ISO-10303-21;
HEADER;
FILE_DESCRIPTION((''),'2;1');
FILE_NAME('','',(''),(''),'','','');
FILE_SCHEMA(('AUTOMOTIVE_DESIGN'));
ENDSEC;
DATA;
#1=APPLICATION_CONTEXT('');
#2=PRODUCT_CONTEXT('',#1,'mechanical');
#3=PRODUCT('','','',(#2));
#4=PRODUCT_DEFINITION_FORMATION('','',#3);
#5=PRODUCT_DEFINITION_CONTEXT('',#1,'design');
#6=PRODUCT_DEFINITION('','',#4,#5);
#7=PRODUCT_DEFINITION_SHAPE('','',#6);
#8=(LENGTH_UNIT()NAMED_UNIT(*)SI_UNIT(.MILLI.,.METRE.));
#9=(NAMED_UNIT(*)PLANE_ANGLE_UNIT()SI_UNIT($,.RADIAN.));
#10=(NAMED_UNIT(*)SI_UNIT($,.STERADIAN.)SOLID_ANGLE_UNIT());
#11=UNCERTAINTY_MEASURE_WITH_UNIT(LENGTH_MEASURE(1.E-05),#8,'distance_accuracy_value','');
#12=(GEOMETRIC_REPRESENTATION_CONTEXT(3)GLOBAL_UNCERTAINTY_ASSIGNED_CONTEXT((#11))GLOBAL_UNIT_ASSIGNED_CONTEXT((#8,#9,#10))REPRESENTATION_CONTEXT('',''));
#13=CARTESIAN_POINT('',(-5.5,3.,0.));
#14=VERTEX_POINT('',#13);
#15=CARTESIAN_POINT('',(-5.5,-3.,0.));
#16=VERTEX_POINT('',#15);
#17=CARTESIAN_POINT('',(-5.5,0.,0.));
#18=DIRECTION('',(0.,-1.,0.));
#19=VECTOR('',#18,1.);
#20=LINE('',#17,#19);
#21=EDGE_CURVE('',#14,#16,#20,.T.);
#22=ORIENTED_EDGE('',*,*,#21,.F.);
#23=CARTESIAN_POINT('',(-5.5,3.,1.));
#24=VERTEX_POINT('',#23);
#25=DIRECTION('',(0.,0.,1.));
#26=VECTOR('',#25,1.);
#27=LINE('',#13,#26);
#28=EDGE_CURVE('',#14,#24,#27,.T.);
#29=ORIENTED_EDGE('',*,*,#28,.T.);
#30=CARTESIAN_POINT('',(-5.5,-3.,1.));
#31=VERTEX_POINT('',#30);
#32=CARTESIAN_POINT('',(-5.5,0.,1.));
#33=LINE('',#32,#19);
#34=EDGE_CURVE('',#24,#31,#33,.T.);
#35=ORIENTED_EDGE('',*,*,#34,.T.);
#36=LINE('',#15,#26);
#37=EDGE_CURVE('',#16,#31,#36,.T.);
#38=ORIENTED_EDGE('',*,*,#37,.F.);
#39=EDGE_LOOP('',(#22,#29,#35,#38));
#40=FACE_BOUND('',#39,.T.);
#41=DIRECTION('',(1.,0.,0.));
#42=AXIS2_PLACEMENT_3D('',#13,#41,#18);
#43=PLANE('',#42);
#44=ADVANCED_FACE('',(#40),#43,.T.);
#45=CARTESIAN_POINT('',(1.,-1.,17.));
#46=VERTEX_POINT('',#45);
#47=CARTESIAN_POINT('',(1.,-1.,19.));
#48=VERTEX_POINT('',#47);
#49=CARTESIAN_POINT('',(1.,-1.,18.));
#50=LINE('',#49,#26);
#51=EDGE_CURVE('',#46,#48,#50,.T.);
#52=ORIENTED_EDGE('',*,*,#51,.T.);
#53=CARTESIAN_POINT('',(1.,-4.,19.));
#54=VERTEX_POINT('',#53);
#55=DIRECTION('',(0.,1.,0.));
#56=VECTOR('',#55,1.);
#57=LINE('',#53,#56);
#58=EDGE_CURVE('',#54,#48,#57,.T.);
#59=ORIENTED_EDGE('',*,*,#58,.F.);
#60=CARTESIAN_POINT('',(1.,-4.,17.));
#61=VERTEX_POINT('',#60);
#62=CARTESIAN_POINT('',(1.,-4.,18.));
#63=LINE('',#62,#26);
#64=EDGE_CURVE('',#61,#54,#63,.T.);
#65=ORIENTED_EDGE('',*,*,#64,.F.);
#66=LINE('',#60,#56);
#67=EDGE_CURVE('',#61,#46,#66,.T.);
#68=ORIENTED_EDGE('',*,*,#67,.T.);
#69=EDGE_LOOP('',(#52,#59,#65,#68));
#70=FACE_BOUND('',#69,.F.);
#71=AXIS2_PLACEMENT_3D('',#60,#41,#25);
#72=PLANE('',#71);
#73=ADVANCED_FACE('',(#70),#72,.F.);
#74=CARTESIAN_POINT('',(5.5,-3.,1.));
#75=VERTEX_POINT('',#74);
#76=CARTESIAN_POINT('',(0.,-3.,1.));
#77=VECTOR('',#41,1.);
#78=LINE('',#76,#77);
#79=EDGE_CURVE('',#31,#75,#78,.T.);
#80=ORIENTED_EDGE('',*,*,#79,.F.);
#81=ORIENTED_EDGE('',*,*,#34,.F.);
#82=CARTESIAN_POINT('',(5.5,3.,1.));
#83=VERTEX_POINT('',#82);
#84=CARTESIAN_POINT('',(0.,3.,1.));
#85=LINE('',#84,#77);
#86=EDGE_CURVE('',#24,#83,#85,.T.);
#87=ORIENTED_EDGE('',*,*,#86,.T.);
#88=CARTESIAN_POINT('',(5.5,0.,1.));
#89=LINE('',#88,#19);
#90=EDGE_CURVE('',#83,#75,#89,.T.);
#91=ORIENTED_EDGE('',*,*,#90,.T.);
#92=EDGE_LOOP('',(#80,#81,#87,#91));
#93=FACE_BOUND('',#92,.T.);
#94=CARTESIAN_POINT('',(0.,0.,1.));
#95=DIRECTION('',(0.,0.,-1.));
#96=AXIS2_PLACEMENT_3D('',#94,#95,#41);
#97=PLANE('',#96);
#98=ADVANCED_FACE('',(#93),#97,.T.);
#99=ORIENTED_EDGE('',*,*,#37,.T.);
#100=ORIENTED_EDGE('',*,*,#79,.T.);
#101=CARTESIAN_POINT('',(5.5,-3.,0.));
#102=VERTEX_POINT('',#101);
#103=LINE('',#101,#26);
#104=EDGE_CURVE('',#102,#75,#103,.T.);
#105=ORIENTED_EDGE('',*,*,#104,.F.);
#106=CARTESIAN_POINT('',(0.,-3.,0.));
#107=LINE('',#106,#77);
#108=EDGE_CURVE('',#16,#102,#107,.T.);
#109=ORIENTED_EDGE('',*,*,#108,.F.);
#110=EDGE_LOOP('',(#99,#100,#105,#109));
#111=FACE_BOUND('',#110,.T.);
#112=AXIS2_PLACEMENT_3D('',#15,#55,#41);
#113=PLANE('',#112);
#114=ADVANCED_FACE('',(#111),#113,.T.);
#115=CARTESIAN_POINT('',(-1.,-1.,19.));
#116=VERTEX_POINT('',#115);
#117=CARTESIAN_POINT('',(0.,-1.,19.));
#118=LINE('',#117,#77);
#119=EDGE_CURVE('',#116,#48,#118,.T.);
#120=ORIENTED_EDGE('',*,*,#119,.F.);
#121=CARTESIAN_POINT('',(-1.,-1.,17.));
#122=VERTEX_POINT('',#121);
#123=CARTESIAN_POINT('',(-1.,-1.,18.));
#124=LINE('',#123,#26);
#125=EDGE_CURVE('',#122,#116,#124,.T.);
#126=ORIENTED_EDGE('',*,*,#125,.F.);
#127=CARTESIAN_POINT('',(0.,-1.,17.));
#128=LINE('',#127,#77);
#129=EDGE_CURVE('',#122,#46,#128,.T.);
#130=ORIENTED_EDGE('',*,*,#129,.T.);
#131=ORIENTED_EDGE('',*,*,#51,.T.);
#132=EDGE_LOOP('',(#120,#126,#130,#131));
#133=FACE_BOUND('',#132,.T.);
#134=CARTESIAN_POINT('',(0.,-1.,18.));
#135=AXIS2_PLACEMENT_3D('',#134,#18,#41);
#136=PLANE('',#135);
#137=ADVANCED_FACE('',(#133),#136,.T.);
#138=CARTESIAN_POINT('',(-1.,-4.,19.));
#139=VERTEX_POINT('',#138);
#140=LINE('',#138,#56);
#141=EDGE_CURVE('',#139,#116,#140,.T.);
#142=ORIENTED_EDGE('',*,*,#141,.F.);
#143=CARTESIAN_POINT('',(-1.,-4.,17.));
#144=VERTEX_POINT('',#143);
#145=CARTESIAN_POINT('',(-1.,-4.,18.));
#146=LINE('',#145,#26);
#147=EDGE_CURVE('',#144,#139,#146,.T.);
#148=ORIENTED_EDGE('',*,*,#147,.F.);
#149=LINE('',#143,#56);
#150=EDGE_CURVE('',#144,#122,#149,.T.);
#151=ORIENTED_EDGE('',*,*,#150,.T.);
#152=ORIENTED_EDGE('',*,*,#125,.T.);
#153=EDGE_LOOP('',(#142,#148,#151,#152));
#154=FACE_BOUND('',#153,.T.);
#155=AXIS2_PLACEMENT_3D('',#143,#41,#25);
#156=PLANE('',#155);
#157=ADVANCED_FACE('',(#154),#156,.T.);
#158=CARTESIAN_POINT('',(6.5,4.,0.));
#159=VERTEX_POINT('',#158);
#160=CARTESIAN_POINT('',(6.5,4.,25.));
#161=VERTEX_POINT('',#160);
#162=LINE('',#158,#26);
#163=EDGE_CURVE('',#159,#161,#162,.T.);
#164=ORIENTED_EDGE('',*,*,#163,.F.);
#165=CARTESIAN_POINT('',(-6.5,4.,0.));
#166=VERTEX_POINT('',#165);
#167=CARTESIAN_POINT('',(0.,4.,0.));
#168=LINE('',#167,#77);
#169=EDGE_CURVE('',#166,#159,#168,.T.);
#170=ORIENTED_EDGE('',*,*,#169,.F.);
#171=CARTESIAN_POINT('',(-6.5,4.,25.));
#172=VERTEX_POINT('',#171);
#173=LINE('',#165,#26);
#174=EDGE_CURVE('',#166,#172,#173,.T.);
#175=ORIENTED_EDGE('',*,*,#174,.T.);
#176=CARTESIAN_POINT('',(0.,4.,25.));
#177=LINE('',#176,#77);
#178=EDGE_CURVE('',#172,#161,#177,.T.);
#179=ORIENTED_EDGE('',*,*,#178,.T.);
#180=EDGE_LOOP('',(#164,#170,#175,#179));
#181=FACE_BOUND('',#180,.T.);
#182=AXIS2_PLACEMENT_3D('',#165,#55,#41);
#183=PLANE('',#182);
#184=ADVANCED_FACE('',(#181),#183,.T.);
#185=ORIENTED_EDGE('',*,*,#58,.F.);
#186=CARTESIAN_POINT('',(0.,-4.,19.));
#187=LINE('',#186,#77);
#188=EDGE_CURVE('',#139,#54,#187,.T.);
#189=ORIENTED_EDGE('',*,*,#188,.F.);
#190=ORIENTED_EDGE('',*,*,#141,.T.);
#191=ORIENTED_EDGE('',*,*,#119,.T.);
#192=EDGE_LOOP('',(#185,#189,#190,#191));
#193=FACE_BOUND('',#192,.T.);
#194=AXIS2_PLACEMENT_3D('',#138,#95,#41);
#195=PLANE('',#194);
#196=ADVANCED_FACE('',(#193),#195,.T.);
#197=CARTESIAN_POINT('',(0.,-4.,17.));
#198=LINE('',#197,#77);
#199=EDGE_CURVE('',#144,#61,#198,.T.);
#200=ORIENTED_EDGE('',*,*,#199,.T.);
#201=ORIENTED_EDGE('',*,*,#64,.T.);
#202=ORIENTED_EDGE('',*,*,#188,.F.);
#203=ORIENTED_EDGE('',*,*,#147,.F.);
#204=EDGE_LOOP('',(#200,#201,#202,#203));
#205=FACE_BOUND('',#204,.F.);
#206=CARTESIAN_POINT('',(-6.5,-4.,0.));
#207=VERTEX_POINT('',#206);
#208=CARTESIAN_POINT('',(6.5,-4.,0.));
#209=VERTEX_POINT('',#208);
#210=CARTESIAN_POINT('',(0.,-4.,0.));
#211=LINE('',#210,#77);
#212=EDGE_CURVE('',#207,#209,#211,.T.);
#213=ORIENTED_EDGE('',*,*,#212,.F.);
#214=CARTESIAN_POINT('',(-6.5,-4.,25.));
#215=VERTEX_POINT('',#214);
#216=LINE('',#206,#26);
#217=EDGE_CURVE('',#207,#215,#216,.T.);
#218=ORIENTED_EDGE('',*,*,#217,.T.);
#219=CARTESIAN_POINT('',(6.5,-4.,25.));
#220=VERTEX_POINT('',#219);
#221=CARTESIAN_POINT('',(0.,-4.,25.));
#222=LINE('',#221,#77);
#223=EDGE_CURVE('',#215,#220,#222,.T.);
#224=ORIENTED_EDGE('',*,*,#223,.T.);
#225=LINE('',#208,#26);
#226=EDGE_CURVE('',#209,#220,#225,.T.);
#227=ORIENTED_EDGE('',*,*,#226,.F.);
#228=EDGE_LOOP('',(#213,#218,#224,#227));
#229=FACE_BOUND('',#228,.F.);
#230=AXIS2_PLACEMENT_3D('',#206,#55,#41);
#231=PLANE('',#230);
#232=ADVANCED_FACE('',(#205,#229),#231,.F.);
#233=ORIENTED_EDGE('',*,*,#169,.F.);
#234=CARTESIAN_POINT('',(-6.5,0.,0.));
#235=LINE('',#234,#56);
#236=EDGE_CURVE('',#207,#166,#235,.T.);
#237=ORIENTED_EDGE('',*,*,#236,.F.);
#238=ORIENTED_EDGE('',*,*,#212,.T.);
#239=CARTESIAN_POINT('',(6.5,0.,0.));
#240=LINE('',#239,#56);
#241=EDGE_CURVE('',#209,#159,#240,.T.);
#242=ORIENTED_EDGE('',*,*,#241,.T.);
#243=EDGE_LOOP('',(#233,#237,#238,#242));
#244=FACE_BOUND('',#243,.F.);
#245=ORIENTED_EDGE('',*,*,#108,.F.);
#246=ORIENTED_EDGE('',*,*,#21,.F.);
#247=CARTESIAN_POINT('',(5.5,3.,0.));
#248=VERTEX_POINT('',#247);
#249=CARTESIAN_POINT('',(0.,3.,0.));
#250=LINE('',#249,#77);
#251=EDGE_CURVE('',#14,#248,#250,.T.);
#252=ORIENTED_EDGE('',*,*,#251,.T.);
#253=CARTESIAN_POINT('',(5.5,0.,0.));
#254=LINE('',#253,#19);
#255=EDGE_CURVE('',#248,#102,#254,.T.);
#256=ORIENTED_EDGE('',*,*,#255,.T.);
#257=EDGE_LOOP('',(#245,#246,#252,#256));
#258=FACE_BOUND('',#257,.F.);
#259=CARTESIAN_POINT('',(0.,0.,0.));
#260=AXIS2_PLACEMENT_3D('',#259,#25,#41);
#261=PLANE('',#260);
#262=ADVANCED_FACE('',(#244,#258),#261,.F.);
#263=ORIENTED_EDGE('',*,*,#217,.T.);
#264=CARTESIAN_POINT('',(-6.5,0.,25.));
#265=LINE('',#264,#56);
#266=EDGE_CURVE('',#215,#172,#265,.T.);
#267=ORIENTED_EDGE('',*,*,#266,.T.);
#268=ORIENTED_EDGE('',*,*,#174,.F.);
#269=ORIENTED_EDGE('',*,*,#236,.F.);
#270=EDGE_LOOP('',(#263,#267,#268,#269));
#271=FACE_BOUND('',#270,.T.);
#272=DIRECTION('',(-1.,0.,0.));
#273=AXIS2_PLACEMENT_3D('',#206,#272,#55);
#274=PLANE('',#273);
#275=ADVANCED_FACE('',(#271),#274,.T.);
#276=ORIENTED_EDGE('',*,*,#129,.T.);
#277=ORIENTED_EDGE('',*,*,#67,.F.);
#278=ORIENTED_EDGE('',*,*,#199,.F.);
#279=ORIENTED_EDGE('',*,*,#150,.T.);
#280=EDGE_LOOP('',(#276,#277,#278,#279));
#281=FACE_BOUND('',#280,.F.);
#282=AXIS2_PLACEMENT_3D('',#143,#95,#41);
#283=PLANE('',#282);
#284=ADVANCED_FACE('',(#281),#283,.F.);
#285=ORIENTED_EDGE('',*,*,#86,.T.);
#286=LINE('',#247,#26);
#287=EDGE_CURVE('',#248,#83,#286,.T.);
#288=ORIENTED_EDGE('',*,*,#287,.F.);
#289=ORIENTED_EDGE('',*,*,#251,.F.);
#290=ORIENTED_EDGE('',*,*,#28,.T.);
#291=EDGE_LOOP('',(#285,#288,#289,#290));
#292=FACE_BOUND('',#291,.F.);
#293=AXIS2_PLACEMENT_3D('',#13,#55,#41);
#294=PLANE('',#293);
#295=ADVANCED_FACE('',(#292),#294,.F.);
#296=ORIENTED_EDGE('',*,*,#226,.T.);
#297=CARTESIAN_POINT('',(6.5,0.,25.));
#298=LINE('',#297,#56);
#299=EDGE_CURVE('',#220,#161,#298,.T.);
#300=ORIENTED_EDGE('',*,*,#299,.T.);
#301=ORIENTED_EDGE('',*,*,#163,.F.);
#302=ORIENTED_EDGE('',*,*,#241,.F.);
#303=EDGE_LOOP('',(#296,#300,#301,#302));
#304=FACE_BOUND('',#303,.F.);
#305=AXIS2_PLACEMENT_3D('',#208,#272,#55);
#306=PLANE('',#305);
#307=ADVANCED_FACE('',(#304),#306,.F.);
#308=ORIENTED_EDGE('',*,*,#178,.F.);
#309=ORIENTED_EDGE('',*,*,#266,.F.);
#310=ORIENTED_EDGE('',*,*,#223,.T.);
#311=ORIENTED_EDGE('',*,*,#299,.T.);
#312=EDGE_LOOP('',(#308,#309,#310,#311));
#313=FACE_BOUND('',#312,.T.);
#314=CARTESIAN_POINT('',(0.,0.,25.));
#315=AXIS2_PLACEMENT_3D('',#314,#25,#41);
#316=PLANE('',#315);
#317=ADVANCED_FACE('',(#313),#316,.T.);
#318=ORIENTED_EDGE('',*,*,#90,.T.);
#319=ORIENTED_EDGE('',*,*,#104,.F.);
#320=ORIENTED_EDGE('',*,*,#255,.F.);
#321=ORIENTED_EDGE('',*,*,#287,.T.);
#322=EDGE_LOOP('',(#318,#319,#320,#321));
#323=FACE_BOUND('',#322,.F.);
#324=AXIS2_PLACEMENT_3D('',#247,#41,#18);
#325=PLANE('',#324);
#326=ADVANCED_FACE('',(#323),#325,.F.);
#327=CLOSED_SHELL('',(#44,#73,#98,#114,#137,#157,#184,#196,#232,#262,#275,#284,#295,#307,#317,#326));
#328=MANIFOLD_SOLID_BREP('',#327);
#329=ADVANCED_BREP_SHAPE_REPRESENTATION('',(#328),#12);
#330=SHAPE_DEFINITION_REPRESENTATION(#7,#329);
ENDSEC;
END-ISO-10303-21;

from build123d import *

# Parameters (mm, degrees)
F0_W     = 13
F0_H     = 8
F1_DEPTH = 25
F2_W     = 11
F2_H     = 6
F3_DEPTH = 1
F4_W     = 2
F4_H     = 2
F5_DEPTH = 3


with BuildPart() as f1:
    # F0 (on Top) → F1 (new body)
    with BuildSketch(Plane.XY):
        Rectangle(F0_W, F0_H)
    extrude(amount=F1_DEPTH)

    # F2 (on face) → F3 (cut)
    with BuildSketch(Plane(origin=(0, 0, 0), x_dir=(1, 0, 0), z_dir=(0, 0, -1))):
        Rectangle(F2_W, F2_H)
    extrude(amount=-F3_DEPTH, mode=Mode.SUBTRACT)

    # F4 (on face) → F5 (cut)
    with BuildSketch(Plane.XZ.offset(4)):
        with Locations((0, 18)):
            Rectangle(F4_W, F4_H)
    extrude(amount=-F5_DEPTH, mode=Mode.SUBTRACT)


solid = f1.part
